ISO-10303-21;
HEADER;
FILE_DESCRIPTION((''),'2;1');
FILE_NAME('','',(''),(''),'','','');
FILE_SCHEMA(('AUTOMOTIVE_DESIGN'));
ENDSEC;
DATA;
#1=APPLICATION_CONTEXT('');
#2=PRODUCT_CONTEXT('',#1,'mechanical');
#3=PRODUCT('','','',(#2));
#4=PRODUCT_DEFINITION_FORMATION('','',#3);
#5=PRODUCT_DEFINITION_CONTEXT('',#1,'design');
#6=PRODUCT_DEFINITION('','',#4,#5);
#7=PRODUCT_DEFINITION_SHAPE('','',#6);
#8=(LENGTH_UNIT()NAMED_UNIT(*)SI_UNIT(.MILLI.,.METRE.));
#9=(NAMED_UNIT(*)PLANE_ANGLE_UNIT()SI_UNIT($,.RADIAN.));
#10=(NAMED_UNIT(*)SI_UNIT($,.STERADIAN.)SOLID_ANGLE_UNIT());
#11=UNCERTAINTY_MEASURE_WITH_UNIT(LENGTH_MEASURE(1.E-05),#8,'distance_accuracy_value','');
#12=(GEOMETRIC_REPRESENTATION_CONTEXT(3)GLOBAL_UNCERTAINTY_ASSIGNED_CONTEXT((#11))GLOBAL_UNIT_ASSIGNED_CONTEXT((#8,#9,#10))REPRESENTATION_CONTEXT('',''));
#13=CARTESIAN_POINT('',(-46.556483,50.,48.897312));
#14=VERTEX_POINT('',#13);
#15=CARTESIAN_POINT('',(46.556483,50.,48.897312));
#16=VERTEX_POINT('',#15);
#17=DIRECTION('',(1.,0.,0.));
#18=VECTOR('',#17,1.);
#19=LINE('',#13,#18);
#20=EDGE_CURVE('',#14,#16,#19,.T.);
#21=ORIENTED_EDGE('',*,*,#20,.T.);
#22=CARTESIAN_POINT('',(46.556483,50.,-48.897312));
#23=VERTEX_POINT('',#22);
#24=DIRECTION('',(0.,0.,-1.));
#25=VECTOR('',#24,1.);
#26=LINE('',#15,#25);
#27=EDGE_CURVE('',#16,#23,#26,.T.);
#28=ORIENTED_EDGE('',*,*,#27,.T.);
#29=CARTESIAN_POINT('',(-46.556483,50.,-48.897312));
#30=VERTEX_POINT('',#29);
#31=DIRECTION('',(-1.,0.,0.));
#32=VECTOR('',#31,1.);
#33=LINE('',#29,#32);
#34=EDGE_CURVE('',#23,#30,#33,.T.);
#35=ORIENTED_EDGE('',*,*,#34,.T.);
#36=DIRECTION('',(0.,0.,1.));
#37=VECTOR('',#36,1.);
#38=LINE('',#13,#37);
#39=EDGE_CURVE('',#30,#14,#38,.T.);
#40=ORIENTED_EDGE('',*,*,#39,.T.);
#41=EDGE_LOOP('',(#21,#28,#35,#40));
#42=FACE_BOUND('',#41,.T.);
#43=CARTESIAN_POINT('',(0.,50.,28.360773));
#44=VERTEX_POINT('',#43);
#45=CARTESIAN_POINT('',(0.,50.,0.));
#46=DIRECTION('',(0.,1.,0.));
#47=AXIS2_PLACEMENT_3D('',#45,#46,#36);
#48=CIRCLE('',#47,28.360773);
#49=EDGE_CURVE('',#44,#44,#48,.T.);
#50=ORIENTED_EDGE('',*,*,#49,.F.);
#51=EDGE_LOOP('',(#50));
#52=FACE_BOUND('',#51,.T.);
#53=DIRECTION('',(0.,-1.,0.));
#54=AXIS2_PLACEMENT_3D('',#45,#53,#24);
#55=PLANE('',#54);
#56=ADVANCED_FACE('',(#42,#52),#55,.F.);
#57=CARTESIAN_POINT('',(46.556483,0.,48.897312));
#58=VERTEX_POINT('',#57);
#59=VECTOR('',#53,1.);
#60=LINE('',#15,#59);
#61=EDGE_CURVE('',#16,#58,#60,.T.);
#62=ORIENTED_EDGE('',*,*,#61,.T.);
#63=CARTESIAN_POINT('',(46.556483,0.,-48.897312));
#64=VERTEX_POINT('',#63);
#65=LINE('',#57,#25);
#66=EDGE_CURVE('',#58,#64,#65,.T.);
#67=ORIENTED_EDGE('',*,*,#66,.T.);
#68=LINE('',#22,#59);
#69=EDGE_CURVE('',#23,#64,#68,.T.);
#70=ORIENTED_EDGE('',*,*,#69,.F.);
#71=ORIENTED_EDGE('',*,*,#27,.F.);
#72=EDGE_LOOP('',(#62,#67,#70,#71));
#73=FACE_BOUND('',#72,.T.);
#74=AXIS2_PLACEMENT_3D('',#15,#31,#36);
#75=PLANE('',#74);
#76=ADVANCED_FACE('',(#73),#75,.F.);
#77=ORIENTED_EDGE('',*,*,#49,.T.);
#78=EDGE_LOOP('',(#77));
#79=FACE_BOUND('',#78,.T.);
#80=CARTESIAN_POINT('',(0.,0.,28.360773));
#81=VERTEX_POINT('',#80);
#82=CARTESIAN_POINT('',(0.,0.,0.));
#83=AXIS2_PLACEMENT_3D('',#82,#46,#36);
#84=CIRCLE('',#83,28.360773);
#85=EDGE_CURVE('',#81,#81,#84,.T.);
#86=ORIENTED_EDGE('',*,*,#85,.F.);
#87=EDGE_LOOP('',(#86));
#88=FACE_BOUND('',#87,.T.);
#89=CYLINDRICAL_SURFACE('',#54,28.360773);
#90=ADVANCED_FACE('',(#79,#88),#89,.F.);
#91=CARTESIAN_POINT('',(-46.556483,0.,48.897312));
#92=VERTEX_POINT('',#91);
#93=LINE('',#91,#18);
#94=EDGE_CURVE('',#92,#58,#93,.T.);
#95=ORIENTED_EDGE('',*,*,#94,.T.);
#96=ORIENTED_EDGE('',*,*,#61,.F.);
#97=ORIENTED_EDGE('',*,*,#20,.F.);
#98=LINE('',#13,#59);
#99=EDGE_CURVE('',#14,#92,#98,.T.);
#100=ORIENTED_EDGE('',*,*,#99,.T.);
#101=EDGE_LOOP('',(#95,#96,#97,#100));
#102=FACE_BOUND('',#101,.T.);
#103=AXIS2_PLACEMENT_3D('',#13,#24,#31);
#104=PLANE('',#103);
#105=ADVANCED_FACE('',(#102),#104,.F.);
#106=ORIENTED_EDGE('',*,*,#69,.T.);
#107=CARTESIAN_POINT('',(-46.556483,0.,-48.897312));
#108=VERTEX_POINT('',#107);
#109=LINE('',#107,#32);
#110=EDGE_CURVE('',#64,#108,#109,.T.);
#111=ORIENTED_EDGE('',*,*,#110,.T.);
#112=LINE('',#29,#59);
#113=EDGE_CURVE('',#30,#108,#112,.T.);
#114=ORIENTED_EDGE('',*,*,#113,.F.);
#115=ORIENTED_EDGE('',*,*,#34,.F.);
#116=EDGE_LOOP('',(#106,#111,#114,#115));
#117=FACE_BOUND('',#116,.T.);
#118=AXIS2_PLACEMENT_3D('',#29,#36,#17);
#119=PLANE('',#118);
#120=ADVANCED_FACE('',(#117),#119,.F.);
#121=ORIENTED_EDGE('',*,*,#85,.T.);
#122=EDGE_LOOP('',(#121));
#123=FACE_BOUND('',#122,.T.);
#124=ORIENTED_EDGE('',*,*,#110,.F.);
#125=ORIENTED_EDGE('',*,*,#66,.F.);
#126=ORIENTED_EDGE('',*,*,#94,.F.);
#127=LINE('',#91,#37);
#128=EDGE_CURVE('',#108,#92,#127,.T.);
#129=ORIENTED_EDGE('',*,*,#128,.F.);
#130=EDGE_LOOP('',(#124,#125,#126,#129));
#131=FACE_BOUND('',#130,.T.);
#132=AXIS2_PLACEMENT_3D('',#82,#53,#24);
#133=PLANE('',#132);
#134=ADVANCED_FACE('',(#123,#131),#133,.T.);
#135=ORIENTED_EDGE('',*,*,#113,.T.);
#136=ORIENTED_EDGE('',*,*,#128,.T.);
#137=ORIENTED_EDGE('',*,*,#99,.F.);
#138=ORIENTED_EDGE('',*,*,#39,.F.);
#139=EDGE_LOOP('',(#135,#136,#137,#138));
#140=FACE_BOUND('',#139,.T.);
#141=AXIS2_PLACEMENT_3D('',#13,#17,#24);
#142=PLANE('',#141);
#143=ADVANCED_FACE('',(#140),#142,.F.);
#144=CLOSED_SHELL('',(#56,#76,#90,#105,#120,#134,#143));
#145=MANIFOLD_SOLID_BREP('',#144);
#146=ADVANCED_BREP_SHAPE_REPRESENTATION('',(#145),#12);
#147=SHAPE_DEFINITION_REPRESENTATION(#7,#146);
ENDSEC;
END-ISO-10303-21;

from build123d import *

# Parameters (mm, degrees)
SKETCH3_W           = 93.112965828
SKETCH3_H           = 97.794623328
SKETCH3_R           = 28.360772796
BOSS_EXTRUDE4_DEPTH = 50


with BuildPart() as part:
    # Sketch3 → Boss-Extrude4 (new body)
    with BuildSketch(Plane(origin=(0, 0, 0), x_dir=(1, 0, 0), z_dir=(0, 1, 0))):
        Rectangle(SKETCH3_W, SKETCH3_H)
        Circle(SKETCH3_R, mode=Mode.SUBTRACT)
    extrude(amount=BOSS_EXTRUDE4_DEPTH)


solid = part.part
